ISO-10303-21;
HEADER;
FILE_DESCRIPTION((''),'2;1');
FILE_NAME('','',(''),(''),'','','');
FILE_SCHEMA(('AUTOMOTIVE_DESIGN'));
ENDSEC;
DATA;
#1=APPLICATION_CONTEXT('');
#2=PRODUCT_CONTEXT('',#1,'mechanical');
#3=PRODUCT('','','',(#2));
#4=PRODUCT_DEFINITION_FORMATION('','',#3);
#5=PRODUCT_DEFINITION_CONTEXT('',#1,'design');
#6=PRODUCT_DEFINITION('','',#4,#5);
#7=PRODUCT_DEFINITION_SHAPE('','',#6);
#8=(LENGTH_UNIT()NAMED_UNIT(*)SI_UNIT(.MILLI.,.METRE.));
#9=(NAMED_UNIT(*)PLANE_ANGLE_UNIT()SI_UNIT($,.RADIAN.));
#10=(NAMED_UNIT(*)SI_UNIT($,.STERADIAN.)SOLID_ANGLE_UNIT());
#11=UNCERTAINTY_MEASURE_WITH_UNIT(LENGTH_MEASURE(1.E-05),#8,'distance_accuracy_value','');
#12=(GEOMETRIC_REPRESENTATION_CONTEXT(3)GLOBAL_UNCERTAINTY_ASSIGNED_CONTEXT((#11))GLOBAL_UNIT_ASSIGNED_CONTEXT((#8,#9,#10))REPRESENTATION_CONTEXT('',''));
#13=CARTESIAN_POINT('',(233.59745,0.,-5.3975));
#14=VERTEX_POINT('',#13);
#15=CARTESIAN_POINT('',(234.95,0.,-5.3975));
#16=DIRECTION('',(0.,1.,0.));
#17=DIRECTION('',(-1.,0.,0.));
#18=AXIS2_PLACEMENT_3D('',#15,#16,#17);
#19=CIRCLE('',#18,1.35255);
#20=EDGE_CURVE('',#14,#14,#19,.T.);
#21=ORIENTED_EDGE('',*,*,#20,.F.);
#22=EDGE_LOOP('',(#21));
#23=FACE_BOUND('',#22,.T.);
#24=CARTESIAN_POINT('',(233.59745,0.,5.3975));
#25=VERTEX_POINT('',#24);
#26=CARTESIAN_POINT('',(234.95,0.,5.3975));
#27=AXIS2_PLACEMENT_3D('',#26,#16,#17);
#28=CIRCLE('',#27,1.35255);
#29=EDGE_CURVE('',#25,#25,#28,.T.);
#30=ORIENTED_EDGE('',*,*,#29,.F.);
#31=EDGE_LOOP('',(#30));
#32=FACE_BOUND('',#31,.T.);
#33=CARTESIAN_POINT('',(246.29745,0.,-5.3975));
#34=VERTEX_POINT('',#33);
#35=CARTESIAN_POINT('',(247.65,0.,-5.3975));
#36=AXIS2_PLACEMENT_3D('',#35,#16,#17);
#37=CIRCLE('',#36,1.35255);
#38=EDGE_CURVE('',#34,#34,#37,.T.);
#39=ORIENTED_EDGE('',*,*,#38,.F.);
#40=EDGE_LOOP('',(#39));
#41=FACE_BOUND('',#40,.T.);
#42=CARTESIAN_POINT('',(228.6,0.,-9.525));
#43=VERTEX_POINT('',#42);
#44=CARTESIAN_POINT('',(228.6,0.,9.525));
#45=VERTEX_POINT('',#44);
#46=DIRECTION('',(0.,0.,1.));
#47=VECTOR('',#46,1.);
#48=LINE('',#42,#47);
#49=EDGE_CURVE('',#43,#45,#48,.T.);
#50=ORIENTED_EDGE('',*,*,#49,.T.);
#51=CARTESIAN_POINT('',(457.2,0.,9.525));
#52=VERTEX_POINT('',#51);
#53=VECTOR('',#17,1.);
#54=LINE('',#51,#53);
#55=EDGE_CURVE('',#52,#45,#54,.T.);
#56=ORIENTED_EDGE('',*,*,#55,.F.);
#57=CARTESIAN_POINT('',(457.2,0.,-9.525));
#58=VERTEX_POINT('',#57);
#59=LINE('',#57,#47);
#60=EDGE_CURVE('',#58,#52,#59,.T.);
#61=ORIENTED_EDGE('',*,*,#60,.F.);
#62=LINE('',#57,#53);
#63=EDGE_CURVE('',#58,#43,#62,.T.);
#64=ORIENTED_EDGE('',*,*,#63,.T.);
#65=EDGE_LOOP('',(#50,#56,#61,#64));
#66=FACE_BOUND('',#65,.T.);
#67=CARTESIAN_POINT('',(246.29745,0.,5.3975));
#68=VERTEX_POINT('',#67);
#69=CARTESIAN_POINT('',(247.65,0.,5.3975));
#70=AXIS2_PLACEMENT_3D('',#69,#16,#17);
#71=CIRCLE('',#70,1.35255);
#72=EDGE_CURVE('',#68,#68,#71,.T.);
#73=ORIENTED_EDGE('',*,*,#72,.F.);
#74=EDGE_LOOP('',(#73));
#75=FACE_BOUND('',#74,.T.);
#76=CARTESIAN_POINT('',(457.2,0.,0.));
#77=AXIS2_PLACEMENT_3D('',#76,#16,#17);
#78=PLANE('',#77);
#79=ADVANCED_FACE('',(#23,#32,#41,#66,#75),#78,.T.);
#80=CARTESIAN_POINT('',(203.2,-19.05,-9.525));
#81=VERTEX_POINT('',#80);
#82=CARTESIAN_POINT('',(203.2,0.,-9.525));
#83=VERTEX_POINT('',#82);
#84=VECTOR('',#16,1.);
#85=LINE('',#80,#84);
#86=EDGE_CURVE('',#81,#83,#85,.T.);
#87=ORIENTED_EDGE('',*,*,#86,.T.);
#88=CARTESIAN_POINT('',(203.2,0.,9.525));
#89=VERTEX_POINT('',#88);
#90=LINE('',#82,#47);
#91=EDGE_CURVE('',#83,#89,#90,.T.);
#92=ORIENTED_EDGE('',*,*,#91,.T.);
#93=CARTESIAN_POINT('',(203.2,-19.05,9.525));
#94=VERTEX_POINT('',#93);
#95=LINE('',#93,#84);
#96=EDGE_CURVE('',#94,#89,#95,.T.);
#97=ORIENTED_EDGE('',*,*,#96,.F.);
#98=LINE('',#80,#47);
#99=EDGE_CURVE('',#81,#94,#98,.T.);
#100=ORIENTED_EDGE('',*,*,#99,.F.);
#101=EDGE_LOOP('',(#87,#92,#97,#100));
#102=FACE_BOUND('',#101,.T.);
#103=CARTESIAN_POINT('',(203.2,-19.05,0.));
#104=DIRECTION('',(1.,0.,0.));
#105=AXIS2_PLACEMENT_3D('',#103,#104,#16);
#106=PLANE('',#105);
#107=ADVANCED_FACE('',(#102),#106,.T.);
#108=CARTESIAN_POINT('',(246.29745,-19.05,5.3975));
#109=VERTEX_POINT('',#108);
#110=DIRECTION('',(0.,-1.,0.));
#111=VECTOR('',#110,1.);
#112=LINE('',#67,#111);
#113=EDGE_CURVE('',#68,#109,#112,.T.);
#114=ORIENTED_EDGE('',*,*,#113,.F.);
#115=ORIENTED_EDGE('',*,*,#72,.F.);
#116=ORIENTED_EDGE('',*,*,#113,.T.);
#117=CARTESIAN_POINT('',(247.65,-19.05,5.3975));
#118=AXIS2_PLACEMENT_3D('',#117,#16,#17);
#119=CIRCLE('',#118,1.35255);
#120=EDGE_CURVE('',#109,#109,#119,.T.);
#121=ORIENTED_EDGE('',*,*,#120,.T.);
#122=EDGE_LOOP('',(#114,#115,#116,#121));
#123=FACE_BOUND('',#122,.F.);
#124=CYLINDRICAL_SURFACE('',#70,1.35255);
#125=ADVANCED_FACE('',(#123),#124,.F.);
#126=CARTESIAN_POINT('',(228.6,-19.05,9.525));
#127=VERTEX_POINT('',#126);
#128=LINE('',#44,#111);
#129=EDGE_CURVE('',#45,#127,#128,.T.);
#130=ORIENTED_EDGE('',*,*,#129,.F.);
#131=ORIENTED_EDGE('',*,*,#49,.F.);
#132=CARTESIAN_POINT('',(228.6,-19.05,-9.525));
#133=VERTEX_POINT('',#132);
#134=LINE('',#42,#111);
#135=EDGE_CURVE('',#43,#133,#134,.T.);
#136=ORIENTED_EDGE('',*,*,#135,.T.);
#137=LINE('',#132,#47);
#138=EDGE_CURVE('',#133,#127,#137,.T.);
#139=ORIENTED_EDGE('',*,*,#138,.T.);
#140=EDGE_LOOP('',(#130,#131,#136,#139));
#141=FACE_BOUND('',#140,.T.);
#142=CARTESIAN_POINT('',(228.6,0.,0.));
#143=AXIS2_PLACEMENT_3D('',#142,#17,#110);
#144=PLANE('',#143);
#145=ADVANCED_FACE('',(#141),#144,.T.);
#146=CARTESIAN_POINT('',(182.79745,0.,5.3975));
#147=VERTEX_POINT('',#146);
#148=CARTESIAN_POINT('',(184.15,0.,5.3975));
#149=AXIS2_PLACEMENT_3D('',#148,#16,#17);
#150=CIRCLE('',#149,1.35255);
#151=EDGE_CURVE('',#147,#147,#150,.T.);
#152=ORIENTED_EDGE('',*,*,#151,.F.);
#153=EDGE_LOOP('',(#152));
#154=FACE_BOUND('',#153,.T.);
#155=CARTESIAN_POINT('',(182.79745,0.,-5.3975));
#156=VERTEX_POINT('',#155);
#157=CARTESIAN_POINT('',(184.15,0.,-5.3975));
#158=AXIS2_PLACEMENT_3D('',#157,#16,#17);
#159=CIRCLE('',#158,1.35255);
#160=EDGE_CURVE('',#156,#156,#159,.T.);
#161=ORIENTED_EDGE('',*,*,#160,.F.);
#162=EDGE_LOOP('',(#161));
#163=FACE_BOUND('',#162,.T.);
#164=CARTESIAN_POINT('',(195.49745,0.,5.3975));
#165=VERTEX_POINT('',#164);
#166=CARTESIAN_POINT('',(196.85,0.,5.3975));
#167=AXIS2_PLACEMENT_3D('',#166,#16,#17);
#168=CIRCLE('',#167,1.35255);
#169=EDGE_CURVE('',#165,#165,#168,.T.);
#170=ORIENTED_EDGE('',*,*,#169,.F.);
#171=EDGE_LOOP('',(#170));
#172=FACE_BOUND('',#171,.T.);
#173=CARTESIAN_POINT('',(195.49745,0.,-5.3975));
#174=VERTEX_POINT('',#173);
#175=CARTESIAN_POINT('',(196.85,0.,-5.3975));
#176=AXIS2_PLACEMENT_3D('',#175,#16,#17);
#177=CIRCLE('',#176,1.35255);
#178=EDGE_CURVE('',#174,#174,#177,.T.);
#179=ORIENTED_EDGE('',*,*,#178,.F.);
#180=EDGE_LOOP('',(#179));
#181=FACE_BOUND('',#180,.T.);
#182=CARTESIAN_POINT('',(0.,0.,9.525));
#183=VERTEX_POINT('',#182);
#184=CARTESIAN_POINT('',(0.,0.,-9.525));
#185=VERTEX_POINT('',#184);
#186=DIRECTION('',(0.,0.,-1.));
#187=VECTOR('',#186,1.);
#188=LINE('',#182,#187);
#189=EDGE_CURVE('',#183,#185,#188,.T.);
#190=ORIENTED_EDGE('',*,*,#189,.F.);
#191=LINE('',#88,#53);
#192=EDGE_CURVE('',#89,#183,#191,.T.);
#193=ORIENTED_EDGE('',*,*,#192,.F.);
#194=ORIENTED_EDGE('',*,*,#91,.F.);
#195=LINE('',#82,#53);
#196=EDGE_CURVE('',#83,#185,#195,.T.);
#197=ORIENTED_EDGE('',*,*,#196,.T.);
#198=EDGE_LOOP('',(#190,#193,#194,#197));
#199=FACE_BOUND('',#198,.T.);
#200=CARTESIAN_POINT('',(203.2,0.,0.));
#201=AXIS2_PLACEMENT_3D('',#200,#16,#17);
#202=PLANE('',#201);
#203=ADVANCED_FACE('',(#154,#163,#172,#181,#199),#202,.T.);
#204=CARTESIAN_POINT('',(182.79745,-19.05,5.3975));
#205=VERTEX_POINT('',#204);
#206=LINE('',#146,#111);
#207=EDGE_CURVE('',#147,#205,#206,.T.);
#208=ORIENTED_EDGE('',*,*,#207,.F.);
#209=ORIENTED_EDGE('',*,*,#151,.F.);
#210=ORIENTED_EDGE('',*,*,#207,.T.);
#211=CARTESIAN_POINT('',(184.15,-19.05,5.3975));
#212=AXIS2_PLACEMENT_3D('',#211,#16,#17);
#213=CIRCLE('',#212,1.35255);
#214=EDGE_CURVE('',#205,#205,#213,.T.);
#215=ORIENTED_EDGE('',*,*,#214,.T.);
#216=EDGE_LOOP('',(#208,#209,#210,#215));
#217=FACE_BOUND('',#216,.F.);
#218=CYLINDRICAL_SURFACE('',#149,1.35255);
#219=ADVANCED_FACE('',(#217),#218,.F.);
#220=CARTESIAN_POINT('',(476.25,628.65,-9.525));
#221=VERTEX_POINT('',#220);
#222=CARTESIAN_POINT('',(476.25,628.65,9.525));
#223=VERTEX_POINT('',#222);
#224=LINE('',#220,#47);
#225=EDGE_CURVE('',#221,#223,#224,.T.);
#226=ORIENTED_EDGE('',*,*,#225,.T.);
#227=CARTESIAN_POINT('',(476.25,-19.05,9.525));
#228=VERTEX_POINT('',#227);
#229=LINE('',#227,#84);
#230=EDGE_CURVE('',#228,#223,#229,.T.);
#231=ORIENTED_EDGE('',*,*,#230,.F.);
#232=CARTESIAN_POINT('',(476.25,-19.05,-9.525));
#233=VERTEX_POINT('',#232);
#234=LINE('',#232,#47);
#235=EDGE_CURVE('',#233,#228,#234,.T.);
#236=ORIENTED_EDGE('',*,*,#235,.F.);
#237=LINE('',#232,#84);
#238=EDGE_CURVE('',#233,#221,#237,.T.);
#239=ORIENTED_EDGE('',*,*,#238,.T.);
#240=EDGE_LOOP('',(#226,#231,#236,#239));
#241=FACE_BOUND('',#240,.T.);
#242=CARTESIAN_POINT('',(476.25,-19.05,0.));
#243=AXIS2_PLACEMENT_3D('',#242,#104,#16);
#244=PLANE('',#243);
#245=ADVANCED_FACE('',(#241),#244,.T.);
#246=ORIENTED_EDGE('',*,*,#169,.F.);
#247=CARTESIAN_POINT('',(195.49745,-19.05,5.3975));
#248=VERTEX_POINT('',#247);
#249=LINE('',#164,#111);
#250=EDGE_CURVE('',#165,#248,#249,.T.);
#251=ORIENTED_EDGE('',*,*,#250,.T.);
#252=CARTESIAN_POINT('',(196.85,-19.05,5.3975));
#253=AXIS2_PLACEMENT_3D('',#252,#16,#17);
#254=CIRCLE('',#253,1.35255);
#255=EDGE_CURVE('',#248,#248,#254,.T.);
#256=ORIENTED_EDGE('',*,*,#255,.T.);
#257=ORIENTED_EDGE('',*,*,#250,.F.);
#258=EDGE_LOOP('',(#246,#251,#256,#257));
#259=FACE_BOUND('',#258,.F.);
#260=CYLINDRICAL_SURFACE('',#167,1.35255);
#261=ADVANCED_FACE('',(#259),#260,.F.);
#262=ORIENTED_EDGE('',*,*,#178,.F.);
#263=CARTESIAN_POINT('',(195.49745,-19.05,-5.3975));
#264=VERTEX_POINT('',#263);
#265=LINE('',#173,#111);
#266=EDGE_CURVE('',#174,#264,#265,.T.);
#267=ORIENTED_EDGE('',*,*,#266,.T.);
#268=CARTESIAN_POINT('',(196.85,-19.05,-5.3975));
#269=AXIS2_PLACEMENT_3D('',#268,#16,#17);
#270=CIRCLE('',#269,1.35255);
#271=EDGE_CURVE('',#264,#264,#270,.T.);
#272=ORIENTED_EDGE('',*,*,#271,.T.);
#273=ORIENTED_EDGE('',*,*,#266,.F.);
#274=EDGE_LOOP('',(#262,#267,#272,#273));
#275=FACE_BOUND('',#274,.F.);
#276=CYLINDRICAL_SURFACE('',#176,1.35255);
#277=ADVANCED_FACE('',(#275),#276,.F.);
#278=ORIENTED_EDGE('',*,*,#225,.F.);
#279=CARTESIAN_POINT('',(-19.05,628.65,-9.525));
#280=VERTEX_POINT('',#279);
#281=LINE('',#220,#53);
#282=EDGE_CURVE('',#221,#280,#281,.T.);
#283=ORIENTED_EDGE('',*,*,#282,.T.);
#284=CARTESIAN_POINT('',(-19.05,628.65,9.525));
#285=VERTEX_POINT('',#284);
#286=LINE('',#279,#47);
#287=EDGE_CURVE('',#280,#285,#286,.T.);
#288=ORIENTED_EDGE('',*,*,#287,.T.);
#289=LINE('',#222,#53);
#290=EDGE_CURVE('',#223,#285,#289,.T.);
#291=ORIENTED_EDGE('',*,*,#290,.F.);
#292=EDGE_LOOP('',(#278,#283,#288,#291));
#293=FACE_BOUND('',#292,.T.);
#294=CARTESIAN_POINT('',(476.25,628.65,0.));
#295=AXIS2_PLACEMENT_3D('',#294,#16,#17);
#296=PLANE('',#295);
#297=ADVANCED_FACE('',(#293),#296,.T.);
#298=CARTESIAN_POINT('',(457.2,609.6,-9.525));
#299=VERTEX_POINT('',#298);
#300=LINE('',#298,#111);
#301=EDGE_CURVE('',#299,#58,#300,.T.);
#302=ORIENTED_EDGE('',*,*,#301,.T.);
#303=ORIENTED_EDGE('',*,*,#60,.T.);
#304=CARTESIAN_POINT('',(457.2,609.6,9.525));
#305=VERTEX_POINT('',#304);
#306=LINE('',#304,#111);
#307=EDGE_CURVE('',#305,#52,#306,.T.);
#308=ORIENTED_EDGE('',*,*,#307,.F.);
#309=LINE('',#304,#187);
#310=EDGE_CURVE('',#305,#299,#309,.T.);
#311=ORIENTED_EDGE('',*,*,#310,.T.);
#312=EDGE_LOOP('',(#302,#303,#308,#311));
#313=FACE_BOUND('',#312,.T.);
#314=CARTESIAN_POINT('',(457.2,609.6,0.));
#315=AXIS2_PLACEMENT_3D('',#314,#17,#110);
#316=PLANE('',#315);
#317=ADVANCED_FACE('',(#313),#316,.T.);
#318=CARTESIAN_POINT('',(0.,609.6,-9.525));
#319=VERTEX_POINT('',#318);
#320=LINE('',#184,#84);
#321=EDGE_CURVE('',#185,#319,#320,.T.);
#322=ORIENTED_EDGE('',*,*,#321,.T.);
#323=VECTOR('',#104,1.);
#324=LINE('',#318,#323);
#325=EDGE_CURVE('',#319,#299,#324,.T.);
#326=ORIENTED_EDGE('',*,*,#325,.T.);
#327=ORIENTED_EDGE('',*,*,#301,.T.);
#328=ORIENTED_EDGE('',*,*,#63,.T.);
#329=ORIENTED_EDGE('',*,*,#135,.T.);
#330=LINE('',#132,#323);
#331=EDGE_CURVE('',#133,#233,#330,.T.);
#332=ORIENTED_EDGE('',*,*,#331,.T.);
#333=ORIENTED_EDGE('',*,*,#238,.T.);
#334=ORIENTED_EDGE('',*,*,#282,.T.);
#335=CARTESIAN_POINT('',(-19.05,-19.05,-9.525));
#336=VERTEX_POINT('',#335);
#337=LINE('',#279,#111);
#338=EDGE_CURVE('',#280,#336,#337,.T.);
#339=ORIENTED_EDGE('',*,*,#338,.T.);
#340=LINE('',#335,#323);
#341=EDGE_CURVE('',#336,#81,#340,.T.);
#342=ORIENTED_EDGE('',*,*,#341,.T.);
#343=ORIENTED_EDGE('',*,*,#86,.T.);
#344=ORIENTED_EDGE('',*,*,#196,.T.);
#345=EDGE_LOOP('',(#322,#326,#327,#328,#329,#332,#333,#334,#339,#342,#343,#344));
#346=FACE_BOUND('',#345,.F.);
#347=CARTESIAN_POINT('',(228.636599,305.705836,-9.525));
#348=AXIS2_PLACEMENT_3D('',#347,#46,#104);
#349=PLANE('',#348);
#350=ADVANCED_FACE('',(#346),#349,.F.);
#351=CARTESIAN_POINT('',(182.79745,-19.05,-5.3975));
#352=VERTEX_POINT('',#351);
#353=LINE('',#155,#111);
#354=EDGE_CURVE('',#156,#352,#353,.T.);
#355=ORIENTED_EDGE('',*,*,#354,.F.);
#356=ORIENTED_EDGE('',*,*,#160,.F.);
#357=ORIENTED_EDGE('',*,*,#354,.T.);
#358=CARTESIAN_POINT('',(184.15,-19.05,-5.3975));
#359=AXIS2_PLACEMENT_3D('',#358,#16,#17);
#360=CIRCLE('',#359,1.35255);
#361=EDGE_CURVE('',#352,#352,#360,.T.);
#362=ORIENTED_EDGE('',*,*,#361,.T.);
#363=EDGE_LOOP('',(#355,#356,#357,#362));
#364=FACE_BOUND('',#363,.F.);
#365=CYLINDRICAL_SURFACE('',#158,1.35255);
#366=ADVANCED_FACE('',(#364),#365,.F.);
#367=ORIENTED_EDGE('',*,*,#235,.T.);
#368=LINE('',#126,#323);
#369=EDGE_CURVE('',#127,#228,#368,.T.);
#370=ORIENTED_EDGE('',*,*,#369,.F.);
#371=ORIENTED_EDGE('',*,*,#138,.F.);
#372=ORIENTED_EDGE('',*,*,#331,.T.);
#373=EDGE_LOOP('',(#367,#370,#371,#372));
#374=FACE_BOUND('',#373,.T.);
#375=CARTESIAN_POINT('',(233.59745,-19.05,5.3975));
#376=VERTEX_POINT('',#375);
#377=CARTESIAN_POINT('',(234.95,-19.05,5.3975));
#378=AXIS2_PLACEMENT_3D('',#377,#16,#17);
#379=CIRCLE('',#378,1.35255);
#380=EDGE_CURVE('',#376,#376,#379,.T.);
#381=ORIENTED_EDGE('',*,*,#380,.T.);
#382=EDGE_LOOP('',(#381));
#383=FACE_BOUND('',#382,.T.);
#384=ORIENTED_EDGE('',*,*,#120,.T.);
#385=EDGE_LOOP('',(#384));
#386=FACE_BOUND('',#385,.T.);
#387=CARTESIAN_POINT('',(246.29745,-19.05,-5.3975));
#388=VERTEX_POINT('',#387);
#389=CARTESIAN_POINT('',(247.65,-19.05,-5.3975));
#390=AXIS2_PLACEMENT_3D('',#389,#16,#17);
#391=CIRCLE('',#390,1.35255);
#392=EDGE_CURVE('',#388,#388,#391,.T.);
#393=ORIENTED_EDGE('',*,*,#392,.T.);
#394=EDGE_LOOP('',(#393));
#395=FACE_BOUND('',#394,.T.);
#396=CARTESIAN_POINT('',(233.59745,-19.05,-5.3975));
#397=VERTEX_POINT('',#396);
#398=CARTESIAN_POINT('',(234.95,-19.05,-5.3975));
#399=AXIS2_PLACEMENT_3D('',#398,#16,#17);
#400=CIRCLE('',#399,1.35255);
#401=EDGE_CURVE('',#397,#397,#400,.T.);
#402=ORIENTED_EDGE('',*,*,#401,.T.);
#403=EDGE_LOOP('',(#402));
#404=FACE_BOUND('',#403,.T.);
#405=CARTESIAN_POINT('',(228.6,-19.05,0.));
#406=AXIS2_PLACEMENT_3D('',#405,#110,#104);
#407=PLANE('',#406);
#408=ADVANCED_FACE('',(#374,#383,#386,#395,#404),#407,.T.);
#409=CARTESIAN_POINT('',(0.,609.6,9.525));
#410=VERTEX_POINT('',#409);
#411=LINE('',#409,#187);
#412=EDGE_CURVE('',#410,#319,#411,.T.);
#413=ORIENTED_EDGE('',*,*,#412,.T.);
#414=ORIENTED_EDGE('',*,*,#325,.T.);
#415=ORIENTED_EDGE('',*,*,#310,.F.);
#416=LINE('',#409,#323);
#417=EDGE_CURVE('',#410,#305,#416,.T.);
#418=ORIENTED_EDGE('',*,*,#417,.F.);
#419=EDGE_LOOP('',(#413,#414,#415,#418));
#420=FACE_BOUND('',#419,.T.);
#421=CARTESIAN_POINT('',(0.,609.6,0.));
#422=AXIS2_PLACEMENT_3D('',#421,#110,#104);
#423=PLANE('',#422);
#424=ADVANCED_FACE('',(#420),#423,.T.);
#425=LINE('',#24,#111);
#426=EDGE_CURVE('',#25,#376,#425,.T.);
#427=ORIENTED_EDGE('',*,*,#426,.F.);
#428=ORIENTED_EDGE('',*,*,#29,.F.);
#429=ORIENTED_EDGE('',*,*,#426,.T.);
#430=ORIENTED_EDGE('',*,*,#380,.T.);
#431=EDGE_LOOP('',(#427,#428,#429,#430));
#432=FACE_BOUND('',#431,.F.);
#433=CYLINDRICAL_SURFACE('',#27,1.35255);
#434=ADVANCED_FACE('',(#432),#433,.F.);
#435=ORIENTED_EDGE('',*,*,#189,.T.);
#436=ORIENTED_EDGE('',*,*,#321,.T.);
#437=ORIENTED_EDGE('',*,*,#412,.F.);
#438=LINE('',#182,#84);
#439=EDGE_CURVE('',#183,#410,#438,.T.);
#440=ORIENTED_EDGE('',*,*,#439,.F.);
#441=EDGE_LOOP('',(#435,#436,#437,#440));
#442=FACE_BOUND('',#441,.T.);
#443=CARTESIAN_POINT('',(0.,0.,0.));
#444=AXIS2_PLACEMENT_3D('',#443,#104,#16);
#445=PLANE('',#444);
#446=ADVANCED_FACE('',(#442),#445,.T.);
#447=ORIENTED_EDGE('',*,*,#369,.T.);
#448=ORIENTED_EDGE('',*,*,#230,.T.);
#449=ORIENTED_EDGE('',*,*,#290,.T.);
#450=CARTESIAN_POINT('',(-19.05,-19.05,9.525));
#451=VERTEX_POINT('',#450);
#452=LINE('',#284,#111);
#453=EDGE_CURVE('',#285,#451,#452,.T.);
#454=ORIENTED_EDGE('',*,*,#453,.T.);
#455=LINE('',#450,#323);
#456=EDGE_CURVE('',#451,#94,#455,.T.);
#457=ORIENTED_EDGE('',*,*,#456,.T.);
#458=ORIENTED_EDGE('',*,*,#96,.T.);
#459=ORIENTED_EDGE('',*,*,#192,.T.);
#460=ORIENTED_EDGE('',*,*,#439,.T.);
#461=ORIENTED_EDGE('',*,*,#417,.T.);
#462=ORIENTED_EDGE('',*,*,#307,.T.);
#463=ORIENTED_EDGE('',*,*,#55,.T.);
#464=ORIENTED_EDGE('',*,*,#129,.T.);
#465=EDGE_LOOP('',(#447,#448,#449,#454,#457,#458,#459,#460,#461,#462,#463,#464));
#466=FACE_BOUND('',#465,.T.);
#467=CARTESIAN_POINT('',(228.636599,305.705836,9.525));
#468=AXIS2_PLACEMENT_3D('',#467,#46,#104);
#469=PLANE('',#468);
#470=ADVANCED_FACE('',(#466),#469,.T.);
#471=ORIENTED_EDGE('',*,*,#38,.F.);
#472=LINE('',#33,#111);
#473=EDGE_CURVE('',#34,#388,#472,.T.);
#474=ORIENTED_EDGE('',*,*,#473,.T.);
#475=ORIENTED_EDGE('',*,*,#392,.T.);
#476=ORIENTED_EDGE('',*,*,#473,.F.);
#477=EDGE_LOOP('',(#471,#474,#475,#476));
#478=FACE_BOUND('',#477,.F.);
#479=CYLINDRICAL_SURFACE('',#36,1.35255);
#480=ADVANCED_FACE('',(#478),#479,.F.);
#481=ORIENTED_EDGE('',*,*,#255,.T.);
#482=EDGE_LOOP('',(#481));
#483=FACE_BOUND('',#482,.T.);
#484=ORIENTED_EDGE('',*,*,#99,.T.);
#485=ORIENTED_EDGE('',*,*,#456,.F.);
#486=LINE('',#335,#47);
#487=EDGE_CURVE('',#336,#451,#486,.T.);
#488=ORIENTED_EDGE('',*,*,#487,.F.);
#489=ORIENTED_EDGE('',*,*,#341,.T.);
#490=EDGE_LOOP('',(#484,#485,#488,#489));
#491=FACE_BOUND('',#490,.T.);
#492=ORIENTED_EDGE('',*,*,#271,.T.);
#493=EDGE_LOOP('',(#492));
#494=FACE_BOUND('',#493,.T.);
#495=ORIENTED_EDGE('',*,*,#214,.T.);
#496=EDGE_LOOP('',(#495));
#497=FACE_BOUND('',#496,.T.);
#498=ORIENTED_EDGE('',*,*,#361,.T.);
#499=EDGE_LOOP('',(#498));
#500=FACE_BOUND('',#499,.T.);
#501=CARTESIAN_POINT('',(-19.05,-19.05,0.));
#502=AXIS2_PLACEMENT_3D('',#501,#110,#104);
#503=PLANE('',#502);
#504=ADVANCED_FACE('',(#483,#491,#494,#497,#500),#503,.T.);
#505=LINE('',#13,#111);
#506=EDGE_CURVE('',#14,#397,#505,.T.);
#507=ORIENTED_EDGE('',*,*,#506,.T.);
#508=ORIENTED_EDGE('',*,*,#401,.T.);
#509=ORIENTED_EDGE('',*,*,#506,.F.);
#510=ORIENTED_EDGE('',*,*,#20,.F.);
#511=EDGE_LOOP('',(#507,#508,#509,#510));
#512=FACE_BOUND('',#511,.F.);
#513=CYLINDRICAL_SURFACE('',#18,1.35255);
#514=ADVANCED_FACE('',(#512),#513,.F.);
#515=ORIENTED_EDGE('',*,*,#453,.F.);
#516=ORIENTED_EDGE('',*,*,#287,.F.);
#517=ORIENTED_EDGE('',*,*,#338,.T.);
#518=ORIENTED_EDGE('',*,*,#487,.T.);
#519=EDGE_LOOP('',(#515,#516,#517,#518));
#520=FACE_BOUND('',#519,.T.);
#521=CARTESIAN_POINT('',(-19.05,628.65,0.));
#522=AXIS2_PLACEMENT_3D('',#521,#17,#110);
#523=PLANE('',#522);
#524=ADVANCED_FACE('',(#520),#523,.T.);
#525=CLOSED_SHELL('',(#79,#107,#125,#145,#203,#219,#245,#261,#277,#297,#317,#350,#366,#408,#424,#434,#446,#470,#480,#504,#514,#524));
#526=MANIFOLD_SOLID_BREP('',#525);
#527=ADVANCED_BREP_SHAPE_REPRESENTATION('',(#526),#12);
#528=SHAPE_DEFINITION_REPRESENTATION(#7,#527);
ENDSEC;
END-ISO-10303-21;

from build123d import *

# Parameters (mm, degrees)
F1_DEPTH = 9.525
F2_R     = 1.35255
F3_DEPTH = 19.051


with BuildPart() as f1:
    # F0 (on Top) → F1 (new body, symmetric)
    with BuildSketch(Plane.XY):
        Polygon((457.2, 609.6), (457.2, 0), (228.6, 0), (228.6, -19.05), (476.25, -19.05), (476.25, 628.65), (-19.05, 628.65), (-19.05, -19.05), (203.2, -19.05), (203.2, 0), (0, 0), (0, 609.6), align=None)
    extrude(amount=F1_DEPTH, both=True)

    # F2 (on face) → F3 (cut, through all)
    with BuildSketch(Plane(origin=(0, 0, 0), x_dir=(-1, 0, 0), z_dir=(0, 1, 0))):
        with Locations((-247.65, 5.3975)):
            Circle(F2_R)
        with Locations((-247.65, -5.3975)):
            Circle(F2_R)
        with Locations((-234.95, 5.3975)):
            Circle(F2_R)
        with Locations((-234.95, -5.3975)):
            Circle(F2_R)
        with Locations((-196.85, 5.3975)):
            Circle(F2_R)
        with Locations((-184.15, 5.3975)):
            Circle(F2_R)
        with Locations((-184.15, -5.3975)):
            Circle(F2_R)
        with Locations((-196.85, -5.3975)):
            Circle(F2_R)
    extrude(amount=-F3_DEPTH, mode=Mode.SUBTRACT)


solid = f1.part
